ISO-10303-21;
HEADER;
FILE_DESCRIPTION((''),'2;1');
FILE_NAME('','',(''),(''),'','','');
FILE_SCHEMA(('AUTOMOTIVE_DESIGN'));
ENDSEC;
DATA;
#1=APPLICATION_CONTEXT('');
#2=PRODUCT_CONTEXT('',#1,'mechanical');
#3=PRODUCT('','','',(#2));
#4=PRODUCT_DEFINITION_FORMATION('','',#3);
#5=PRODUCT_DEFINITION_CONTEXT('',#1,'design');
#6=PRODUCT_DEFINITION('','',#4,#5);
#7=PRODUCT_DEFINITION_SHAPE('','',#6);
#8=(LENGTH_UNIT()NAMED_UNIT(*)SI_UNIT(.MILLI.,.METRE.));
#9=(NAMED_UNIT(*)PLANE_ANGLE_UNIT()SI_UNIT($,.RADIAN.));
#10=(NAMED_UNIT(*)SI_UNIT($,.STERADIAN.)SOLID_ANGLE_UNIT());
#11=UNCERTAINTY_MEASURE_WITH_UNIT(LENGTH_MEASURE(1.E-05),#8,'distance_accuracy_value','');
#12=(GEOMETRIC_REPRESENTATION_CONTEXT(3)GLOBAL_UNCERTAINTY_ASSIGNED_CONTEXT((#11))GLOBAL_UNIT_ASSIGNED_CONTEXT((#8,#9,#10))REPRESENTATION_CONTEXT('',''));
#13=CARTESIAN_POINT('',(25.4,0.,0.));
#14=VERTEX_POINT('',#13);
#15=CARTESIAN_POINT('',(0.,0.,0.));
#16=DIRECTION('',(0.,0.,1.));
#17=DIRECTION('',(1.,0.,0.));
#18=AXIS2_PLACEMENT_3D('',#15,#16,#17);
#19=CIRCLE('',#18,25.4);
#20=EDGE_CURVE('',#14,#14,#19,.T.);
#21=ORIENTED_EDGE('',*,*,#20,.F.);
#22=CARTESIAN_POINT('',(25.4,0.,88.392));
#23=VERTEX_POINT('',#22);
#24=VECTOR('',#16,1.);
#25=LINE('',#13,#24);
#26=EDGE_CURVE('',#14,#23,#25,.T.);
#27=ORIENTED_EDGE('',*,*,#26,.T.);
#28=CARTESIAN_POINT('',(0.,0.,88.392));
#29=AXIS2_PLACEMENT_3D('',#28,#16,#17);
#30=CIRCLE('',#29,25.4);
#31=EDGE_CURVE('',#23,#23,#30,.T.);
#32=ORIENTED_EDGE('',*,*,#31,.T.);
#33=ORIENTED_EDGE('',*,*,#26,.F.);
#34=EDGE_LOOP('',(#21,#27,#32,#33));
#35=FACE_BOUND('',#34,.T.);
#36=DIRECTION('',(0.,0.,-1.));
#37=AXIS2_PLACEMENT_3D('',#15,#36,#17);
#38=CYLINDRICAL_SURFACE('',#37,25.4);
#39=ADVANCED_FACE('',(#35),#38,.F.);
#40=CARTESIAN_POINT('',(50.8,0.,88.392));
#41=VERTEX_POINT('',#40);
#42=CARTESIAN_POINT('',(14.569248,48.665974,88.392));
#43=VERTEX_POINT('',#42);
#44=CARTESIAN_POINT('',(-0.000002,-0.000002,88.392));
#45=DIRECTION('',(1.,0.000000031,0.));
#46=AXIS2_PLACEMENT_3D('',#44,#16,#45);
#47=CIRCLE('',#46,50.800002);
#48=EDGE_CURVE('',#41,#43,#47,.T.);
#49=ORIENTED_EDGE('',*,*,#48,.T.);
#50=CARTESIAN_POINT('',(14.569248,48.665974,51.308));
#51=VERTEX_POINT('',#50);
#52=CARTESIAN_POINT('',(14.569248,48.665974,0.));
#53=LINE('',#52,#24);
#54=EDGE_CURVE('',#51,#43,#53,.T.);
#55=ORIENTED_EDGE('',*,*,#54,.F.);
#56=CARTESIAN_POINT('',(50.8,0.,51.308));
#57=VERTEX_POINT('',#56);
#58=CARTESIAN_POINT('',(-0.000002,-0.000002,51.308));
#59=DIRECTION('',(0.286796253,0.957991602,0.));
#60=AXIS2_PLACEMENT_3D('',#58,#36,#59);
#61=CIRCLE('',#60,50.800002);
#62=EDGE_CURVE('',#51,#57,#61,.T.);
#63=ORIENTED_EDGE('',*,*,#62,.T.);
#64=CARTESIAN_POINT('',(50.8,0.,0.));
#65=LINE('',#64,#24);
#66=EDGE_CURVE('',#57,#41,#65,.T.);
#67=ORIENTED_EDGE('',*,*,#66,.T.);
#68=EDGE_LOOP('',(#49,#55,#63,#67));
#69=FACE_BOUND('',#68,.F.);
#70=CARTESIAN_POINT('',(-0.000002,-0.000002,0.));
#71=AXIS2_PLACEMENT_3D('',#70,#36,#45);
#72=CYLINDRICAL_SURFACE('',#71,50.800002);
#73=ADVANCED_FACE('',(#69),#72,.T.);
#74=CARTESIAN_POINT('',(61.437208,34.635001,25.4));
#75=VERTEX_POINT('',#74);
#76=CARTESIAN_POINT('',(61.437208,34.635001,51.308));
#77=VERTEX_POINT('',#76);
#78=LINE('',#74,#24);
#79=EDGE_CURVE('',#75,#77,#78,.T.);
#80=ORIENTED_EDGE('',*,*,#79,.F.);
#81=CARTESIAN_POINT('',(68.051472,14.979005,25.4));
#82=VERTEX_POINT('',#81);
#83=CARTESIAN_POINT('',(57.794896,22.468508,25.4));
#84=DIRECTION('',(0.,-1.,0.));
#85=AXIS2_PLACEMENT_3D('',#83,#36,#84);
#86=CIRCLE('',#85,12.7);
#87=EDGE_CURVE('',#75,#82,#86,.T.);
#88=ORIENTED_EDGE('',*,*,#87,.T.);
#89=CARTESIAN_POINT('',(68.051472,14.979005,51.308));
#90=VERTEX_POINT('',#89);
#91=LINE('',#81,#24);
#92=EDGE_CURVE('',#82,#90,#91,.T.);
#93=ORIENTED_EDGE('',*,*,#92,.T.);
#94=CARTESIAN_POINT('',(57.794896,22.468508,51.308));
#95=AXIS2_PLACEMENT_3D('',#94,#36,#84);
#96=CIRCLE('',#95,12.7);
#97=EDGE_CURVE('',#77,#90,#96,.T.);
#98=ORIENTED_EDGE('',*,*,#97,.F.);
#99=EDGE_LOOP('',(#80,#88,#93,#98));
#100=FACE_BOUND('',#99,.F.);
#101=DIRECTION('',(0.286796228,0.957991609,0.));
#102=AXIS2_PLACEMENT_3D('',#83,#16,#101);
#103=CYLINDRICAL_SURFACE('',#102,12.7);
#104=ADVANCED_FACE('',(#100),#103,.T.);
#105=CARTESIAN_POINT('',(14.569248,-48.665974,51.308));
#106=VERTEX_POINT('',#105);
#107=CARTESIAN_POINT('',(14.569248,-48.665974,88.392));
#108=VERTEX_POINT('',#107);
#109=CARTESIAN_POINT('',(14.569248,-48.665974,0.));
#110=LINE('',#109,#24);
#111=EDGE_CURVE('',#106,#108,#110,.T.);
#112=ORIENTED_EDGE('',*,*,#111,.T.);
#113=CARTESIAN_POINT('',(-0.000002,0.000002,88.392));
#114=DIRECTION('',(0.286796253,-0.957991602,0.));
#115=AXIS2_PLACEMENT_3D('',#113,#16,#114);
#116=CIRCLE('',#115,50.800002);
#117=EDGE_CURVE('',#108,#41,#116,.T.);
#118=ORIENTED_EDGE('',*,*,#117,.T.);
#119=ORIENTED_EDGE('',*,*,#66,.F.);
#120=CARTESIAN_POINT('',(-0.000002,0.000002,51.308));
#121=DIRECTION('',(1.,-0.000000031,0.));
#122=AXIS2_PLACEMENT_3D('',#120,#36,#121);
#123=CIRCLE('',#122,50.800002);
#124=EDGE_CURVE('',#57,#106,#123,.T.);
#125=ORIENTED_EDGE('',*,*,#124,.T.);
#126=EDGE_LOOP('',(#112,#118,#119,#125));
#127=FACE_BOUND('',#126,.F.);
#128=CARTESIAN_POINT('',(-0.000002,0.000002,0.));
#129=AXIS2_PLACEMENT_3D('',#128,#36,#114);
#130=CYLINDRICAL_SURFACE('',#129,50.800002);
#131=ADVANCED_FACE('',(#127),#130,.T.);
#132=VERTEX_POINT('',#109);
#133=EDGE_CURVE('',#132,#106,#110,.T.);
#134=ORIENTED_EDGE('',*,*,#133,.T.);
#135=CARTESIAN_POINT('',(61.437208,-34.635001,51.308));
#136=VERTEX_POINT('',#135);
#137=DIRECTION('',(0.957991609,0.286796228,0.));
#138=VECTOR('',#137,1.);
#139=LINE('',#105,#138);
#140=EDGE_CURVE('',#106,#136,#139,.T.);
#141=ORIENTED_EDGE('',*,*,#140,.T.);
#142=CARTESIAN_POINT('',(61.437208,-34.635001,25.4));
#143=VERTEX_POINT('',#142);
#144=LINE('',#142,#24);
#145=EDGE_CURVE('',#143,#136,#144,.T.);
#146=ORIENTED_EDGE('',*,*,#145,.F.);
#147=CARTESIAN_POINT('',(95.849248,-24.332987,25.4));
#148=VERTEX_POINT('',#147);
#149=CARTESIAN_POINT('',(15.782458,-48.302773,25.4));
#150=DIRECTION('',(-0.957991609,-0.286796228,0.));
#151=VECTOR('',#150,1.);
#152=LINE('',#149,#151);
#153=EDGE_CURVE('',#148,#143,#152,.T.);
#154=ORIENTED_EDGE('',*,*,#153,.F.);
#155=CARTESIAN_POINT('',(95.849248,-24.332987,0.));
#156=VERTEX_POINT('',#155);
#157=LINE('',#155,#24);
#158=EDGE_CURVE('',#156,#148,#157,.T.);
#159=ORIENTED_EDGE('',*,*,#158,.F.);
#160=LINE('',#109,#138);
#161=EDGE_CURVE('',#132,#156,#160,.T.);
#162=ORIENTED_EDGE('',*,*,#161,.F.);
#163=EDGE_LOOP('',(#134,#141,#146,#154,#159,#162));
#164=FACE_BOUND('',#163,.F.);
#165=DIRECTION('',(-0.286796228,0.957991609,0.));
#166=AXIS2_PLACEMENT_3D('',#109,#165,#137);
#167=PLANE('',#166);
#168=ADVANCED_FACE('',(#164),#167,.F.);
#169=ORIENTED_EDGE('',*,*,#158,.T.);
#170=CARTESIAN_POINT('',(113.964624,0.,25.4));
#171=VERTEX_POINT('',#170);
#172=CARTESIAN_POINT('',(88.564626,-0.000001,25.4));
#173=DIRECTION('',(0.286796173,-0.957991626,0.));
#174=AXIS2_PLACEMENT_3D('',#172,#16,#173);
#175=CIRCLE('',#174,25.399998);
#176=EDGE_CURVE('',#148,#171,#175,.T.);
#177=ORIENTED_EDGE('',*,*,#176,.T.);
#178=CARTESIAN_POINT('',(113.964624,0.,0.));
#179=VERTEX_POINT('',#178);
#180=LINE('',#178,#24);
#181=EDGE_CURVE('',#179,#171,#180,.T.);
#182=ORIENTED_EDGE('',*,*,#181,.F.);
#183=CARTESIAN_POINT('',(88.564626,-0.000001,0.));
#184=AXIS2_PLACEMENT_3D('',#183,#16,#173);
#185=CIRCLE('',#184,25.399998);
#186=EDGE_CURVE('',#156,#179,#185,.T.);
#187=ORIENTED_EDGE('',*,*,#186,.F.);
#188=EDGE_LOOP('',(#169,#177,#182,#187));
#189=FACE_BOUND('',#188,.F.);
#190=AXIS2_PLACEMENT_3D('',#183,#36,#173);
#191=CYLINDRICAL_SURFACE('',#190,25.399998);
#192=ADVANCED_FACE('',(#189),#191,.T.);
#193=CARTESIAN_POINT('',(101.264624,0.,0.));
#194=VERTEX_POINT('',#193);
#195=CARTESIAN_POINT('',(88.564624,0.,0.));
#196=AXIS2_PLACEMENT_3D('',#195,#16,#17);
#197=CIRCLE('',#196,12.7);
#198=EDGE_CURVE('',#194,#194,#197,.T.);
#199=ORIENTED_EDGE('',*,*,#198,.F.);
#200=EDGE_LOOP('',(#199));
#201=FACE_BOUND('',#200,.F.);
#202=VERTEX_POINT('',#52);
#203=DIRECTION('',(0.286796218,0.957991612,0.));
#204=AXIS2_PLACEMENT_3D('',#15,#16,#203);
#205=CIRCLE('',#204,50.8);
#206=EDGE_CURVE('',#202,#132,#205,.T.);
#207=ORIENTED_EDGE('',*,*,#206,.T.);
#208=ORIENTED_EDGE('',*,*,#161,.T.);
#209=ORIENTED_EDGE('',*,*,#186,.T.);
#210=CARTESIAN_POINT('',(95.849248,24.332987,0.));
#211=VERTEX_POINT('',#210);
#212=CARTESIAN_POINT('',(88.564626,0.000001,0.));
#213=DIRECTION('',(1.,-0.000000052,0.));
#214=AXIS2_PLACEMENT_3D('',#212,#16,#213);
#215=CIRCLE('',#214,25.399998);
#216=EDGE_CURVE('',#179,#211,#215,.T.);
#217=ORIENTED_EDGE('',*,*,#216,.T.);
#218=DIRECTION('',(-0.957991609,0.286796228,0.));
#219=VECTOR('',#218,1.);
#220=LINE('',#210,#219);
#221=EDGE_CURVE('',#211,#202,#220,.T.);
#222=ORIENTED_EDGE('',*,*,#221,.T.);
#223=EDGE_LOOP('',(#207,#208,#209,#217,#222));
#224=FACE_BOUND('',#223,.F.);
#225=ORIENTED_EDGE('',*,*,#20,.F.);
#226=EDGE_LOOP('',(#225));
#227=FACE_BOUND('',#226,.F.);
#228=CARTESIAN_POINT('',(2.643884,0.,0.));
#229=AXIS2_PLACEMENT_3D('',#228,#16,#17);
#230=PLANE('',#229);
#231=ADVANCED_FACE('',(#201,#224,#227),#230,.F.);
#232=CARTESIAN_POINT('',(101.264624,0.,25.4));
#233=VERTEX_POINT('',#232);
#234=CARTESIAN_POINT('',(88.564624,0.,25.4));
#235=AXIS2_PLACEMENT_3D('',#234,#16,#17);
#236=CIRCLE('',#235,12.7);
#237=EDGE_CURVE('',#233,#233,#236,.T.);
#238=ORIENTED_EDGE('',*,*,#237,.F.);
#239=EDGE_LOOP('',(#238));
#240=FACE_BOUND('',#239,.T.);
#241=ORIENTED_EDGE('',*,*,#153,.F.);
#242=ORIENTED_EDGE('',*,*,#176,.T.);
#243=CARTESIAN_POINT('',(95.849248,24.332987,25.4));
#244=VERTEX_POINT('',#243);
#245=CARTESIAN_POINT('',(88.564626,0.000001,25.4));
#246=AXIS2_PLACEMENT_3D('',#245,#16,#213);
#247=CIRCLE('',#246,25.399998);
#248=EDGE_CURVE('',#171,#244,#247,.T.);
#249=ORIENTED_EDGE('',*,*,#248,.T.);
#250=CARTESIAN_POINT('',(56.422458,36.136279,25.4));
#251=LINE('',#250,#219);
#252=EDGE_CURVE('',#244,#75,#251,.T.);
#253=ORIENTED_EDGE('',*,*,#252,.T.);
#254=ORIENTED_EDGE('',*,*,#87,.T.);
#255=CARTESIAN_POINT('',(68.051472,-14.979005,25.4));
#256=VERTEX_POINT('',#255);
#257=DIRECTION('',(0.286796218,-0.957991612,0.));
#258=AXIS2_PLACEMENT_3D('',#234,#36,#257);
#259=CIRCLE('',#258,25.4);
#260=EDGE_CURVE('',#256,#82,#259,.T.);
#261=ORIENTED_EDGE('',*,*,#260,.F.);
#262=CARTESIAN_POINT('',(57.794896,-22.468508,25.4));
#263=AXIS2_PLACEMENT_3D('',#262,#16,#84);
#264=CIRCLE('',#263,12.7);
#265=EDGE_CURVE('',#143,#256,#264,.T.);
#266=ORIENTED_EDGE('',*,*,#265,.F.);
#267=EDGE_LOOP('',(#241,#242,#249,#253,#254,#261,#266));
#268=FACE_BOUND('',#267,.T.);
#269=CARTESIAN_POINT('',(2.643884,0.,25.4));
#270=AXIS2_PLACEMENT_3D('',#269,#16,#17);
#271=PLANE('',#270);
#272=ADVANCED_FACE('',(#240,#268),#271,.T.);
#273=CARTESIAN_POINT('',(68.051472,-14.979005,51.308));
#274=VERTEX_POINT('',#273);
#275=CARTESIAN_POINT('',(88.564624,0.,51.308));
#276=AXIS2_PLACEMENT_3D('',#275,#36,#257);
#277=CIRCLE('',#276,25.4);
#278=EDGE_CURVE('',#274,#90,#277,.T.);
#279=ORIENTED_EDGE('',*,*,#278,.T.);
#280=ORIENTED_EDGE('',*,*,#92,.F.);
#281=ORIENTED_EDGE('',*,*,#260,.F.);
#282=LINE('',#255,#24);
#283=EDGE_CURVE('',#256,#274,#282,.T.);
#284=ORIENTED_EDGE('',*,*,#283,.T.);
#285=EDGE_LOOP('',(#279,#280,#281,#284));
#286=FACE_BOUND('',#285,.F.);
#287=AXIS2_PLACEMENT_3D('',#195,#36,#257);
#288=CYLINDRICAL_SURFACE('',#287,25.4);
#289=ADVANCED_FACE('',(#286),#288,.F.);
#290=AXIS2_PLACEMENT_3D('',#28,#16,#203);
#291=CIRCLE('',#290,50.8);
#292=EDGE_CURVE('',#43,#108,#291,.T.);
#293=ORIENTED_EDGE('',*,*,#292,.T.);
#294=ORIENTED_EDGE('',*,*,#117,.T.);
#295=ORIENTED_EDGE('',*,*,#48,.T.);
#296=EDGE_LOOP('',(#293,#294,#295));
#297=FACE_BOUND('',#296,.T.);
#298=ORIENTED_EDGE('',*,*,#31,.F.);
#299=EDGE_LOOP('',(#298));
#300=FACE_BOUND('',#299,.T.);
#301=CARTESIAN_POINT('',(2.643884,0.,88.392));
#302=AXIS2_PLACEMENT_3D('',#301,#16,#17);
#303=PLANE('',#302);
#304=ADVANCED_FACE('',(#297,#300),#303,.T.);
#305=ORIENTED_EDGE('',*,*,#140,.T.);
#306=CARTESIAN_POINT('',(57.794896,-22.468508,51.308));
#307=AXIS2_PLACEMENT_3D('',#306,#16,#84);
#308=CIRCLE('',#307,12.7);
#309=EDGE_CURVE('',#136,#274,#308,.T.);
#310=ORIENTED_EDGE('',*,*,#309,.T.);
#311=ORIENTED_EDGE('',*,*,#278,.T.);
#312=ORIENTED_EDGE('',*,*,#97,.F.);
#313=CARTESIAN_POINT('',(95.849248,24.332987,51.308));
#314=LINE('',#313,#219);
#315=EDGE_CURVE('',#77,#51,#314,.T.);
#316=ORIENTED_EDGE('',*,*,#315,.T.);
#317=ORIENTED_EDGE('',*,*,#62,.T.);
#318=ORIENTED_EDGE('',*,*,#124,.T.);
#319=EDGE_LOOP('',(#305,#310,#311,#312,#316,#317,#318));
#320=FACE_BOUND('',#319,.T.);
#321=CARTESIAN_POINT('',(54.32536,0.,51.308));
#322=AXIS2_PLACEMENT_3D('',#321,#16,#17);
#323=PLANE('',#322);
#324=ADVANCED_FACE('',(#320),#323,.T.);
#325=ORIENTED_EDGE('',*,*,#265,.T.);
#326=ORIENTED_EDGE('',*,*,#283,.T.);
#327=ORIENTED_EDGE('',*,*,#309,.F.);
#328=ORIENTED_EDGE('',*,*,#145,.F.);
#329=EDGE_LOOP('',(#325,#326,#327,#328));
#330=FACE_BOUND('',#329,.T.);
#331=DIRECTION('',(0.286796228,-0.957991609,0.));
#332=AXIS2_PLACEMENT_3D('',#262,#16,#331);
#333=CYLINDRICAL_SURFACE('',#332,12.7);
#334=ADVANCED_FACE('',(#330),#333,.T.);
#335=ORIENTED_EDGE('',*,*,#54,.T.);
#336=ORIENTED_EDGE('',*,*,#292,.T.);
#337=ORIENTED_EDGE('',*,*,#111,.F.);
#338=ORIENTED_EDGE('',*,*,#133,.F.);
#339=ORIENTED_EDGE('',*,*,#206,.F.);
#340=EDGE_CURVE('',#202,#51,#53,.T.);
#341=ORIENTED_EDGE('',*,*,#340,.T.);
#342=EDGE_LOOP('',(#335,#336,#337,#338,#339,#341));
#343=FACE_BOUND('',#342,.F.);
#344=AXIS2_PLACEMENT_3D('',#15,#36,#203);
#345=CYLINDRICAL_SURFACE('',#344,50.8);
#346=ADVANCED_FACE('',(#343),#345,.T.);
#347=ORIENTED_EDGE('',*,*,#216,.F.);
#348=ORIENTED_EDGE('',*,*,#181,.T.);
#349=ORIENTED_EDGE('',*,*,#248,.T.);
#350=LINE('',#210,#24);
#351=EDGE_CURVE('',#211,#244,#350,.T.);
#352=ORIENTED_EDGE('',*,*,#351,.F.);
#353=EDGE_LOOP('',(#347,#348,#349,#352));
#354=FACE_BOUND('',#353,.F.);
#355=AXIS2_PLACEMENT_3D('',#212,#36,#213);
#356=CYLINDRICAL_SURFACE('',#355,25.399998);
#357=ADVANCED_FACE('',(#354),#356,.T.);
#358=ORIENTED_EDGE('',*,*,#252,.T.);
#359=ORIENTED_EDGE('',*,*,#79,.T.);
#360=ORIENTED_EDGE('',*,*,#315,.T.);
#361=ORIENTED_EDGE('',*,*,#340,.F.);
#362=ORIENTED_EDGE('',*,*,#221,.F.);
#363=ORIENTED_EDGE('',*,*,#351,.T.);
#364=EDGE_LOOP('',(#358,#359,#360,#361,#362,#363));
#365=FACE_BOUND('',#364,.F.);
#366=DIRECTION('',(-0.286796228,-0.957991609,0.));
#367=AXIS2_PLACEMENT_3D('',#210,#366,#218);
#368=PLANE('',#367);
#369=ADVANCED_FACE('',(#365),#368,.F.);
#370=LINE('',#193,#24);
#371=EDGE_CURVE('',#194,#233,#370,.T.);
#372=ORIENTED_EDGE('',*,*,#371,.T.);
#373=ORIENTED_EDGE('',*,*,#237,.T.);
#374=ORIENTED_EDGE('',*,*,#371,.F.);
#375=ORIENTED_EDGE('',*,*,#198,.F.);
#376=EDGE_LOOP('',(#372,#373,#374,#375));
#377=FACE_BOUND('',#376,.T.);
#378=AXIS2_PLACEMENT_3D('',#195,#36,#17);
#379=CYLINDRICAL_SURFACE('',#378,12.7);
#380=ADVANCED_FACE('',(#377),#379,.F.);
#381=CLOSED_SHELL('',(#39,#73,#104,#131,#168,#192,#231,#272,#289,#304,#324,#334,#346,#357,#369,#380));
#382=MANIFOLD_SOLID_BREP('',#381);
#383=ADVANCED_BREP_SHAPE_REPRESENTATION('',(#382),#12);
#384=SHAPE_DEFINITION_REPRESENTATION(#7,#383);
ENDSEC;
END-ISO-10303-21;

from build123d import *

# Parameters (mm, degrees)
F0_R     = 25.4
F0_R_2   = 12.7
F1_DEPTH = 25.4
F2_DEPTH = 88.392
F3_DEPTH = 51.308
F4_R     = 12.7


with BuildPart() as f1:
    # F0 (on Top) → F1 (new body)
    with BuildSketch(Plane.XY):
        with BuildLine():
            ThreePointArc((14.569248, -48.665974), (40.747747, -30.335805), (50.8, 0))
            ThreePointArc((50.8, 0), (40.747747, 30.335805), (14.569248, 48.665974))
            ThreePointArc((14.569248, 48.665974), (-50.8, 0), (14.569248, -48.665974))
        make_face()
        Circle(F0_R, mode=Mode.SUBTRACT)
        with BuildLine():
            ThreePointArc((14.569248, 48.665974), (40.747747, 30.335805), (50.8, 0))
            ThreePointArc((50.8, 0), (40.747747, -30.335805), (14.569248, -48.665974))
            Line((14.569248, -48.665974), (95.849248, -24.332987))
            ThreePointArc((95.849248, -24.332987), (63.164624, 0), (95.849248, 24.332987))
            Line((95.849248, 24.332987), (14.569248, 48.665974))
        make_face()
        with BuildLine():
            ThreePointArc((113.964624, 0), (108.938498, 15.167903), (95.849248, 24.332987))
            ThreePointArc((95.849248, 24.332987), (63.164624, 0), (95.849248, -24.332987))
            ThreePointArc((95.849248, -24.332987), (108.938498, -15.167903), (113.964624, 0))
        make_face()
        with Locations((88.564624, 0)):
            Circle(F0_R_2, mode=Mode.SUBTRACT)
    extrude(amount=F1_DEPTH)

    # F0 (on Top) → F2 (join)
    with BuildSketch(Plane.XY):
        with BuildLine():
            ThreePointArc((14.569248, -48.665974), (40.747747, -30.335805), (50.8, 0))
            ThreePointArc((50.8, 0), (40.747747, 30.335805), (14.569248, 48.665974))
            ThreePointArc((14.569248, 48.665974), (-50.8, 0), (14.569248, -48.665974))
        make_face()
        Circle(F0_R, mode=Mode.SUBTRACT)
    extrude(amount=F2_DEPTH)

    # F0 (on Top) → F3 (join)
    with BuildSketch(Plane.XY):
        with BuildLine():
            ThreePointArc((14.569248, 48.665974), (40.747747, 30.335805), (50.8, 0))
            ThreePointArc((50.8, 0), (40.747747, -30.335805), (14.569248, -48.665974))
            Line((14.569248, -48.665974), (95.849248, -24.332987))
            ThreePointArc((95.849248, -24.332987), (63.164624, 0), (95.849248, 24.332987))
            Line((95.849248, 24.332987), (14.569248, 48.665974))
        make_face()
    extrude(amount=F3_DEPTH)

    # F4
    f4_edges = [f1.edges().sort_by_distance(p)[0] for p in [
        (95.849248, -24.332987, 38.354),
        (95.849248, 24.332987, 38.354),
    ]]
    fillet(f4_edges, radius=F4_R)


solid = f1.part
